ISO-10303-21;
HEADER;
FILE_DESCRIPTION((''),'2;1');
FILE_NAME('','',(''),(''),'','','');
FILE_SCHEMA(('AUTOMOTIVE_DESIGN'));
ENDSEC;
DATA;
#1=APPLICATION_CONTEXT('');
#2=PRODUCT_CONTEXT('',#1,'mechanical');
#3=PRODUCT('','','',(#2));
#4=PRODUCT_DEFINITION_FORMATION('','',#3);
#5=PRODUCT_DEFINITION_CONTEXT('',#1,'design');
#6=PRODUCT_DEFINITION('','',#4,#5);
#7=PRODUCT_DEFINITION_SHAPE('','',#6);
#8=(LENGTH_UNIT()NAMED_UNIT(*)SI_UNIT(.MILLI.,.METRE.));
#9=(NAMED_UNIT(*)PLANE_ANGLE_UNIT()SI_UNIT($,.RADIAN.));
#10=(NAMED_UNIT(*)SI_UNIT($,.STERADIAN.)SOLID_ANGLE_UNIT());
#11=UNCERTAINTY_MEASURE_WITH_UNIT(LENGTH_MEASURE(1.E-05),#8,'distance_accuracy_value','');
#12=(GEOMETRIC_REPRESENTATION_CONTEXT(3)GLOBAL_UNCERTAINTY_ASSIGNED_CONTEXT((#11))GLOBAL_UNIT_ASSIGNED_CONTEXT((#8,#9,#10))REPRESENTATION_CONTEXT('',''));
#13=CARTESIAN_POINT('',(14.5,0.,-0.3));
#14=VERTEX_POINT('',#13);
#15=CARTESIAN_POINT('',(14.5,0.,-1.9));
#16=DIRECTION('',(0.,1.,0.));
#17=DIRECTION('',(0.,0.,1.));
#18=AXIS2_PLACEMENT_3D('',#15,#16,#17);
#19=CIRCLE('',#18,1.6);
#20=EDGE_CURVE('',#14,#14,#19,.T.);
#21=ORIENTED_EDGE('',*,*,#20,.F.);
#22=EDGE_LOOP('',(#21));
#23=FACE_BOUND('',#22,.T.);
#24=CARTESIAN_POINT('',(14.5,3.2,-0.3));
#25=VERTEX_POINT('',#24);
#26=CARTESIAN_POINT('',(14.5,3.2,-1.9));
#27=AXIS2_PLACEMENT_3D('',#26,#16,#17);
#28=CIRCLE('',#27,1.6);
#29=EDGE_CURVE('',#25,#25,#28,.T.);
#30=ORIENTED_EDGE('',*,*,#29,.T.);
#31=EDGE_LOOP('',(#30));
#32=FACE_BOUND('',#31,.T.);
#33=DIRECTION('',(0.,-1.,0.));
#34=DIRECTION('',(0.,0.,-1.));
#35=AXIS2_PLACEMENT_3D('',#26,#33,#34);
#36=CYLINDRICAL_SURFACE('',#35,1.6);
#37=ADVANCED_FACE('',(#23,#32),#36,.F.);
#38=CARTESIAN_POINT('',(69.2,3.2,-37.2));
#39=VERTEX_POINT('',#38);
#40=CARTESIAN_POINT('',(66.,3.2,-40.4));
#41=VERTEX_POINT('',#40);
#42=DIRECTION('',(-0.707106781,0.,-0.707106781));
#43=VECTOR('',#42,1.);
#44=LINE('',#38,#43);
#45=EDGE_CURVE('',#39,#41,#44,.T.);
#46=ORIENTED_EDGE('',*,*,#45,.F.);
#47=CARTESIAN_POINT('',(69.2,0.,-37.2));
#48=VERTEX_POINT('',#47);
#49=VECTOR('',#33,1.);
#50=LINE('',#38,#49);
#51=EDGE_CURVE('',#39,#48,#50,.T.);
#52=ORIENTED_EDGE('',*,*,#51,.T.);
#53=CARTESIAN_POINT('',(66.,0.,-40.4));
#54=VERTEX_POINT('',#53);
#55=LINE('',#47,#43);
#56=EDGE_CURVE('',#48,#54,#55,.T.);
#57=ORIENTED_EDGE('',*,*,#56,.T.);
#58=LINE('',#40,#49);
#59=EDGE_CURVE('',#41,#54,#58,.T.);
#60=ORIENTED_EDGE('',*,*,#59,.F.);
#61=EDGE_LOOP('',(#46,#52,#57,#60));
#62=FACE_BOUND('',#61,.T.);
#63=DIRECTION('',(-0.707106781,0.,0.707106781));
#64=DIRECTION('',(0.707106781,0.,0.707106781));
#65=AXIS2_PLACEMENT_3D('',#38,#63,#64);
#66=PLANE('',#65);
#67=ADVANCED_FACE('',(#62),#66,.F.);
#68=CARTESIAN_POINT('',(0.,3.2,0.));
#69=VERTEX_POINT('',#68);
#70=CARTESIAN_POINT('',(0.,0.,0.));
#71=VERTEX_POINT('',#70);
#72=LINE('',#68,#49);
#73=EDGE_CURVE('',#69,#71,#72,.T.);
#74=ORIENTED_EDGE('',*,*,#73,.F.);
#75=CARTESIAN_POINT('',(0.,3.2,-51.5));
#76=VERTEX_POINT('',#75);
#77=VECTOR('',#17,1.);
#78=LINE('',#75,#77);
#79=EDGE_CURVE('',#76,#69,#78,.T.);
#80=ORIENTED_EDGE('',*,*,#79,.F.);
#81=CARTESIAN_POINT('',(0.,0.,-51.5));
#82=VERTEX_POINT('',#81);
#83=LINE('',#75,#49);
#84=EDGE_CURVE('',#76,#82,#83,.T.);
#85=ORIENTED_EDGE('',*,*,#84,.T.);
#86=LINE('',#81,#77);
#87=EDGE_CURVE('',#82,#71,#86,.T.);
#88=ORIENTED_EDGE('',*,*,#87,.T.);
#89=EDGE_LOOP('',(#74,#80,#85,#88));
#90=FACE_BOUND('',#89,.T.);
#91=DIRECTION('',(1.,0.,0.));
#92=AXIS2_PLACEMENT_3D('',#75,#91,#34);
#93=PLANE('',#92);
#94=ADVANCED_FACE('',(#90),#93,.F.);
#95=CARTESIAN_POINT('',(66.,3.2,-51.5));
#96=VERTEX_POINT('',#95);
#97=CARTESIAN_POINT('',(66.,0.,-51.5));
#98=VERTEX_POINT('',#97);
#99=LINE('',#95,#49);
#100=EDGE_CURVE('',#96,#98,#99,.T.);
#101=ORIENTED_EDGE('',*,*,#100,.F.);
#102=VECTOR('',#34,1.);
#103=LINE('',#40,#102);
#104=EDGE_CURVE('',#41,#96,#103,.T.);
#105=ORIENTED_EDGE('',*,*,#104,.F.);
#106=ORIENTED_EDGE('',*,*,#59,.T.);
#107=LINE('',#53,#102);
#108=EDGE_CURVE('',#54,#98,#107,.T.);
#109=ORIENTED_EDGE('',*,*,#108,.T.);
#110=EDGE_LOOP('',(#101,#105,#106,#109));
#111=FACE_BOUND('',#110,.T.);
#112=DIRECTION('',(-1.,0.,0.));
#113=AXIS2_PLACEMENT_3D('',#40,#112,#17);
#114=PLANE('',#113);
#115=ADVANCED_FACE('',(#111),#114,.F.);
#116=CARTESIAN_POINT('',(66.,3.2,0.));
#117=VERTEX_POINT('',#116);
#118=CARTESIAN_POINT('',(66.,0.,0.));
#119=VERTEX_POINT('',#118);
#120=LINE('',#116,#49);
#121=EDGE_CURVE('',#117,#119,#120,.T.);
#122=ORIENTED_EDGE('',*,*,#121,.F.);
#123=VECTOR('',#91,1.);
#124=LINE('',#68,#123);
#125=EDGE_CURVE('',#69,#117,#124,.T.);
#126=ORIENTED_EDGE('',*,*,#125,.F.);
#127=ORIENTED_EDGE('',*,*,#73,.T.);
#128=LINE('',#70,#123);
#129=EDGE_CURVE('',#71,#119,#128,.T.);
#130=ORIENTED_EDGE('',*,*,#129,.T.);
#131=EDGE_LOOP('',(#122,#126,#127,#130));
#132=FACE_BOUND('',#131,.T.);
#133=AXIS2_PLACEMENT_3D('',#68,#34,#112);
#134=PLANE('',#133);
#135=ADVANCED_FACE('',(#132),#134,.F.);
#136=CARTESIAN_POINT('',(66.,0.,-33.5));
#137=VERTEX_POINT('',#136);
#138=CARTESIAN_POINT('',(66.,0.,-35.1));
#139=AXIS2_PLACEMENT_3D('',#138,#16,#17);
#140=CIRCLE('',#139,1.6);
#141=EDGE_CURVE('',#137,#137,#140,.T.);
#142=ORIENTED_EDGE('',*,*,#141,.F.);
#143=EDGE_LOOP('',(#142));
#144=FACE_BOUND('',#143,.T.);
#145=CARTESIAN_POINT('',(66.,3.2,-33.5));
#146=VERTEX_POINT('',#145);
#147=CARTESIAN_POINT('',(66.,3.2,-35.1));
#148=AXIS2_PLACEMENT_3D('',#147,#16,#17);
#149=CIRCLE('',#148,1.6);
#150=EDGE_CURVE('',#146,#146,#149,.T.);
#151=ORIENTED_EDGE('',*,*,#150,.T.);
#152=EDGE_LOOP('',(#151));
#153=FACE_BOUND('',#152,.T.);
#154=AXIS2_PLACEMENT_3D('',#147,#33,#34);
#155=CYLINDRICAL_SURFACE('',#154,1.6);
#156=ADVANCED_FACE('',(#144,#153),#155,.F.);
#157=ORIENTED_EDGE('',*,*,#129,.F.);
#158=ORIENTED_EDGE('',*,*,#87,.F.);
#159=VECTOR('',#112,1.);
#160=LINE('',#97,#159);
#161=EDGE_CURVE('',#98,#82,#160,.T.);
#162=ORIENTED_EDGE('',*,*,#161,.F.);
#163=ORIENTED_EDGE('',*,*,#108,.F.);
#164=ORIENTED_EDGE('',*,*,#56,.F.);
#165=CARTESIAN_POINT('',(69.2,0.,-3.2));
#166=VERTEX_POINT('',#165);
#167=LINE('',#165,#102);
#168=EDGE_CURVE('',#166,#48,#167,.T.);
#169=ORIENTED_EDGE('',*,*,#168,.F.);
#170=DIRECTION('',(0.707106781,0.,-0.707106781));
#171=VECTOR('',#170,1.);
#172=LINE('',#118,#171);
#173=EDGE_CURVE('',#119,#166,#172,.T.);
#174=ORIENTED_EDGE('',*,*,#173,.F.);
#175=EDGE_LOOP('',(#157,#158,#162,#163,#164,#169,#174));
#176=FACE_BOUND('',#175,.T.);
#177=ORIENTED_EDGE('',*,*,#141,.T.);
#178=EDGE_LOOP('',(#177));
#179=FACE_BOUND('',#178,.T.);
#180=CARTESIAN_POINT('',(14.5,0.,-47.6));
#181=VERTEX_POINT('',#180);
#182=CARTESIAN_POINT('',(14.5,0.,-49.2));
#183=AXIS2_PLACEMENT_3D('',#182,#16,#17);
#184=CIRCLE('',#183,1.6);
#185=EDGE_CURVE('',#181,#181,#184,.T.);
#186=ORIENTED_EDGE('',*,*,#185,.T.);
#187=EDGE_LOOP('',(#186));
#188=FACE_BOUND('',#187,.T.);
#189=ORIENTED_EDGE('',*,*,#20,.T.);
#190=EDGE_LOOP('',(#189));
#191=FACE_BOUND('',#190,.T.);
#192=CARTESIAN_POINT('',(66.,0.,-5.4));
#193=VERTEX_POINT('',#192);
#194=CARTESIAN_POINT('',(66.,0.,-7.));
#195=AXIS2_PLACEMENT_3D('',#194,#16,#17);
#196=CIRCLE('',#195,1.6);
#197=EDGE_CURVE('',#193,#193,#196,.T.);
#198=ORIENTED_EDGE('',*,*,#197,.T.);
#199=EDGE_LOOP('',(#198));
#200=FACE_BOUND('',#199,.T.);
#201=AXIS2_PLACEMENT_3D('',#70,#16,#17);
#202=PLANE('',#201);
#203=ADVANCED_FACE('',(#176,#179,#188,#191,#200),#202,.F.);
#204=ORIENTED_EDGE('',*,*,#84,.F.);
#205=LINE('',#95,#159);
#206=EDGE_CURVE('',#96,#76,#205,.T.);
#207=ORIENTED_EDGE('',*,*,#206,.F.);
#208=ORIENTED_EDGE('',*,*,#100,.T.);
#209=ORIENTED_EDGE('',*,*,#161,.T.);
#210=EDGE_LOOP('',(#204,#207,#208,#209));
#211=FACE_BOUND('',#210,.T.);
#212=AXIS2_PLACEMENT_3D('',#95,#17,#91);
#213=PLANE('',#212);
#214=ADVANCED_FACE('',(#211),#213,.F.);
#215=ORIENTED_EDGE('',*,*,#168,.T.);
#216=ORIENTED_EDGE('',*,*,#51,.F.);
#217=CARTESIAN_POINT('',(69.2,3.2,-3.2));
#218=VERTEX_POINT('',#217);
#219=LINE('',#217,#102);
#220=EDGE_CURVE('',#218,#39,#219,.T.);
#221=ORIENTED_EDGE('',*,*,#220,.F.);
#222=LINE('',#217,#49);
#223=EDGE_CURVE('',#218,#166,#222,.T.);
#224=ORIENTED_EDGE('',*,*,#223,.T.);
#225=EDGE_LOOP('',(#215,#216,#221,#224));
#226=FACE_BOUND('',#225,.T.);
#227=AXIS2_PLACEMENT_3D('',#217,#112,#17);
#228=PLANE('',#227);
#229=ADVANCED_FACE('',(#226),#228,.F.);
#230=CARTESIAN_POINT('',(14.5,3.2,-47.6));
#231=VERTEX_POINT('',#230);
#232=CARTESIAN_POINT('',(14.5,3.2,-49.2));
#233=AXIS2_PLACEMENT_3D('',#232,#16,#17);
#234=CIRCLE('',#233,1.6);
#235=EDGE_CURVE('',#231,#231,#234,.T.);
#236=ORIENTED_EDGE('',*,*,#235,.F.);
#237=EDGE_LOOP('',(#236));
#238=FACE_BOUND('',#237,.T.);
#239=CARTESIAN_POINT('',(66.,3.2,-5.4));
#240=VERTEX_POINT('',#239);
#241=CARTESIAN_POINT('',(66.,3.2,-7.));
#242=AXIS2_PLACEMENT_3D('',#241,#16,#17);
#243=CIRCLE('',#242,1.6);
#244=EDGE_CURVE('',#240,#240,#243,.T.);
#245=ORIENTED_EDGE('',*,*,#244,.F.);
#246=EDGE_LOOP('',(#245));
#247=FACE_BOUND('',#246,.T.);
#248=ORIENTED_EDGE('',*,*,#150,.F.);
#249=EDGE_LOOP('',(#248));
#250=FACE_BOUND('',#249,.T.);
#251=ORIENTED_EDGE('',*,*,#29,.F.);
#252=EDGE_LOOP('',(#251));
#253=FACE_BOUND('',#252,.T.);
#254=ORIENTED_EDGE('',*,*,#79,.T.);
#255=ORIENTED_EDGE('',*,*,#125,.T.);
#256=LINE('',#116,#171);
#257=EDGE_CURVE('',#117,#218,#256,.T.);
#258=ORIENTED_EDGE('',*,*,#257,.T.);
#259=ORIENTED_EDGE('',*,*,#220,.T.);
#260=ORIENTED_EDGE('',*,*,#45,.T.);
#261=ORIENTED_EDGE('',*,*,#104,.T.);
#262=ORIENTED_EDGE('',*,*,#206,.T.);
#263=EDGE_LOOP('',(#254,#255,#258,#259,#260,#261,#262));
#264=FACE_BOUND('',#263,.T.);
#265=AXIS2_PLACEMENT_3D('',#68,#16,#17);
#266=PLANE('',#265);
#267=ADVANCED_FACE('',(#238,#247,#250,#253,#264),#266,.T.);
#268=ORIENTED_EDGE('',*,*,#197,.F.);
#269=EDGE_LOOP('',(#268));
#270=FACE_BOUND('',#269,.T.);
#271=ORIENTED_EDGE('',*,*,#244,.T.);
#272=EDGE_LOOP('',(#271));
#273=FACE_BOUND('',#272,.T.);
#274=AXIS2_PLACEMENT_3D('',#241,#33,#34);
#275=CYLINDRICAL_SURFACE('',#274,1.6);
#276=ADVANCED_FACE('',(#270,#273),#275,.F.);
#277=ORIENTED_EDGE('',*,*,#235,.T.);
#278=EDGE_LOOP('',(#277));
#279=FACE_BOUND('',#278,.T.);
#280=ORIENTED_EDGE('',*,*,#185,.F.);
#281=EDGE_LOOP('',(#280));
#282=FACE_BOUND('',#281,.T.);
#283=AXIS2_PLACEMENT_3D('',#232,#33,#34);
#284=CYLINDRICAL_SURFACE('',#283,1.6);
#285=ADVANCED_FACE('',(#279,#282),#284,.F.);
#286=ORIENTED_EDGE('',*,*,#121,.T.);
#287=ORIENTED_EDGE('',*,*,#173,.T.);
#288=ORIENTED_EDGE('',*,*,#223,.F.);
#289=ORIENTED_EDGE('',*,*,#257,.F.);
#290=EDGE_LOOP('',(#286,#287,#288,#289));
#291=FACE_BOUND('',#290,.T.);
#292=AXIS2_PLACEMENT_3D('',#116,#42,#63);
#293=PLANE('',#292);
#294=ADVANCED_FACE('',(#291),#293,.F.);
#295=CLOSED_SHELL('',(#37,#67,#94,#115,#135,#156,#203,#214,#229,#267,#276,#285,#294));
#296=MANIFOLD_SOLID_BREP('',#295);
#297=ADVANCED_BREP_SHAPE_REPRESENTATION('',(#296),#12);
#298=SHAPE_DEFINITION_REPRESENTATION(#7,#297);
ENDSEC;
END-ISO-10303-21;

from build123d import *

# Parameters (mm, degrees)
CROQUIS1_R              = 1.6
SALIENTE_EXTRUIR1_DEPTH = 3.2


with BuildPart() as part:
    # Croquis1 → Saliente-Extruir1 (new body)
    with BuildSketch(Plane(origin=(0, 0, 0), x_dir=(1, 0, 0), z_dir=(0, 1, 0))):
        Polygon((0, 0), (66, 0), (69.2, 3.2), (69.2, 37.2), (66, 40.4), (66, 51.5), (0, 51.5), align=None)
        with Locations(Location((14.5, 49.2, 0), (0, 0, 270))):
            Circle(CROQUIS1_R, mode=Mode.SUBTRACT)
        with Locations(Location((14.5, 1.9, 0), (0, 0, 270))):
            Circle(CROQUIS1_R, mode=Mode.SUBTRACT)
        with Locations(Location((66, 35.1, 0), (0, 0, 270))):
            Circle(CROQUIS1_R, mode=Mode.SUBTRACT)
        with Locations(Location((66, 7, 0), (0, 0, 270))):
            Circle(CROQUIS1_R, mode=Mode.SUBTRACT)
    extrude(amount=SALIENTE_EXTRUIR1_DEPTH)


solid = part.part
